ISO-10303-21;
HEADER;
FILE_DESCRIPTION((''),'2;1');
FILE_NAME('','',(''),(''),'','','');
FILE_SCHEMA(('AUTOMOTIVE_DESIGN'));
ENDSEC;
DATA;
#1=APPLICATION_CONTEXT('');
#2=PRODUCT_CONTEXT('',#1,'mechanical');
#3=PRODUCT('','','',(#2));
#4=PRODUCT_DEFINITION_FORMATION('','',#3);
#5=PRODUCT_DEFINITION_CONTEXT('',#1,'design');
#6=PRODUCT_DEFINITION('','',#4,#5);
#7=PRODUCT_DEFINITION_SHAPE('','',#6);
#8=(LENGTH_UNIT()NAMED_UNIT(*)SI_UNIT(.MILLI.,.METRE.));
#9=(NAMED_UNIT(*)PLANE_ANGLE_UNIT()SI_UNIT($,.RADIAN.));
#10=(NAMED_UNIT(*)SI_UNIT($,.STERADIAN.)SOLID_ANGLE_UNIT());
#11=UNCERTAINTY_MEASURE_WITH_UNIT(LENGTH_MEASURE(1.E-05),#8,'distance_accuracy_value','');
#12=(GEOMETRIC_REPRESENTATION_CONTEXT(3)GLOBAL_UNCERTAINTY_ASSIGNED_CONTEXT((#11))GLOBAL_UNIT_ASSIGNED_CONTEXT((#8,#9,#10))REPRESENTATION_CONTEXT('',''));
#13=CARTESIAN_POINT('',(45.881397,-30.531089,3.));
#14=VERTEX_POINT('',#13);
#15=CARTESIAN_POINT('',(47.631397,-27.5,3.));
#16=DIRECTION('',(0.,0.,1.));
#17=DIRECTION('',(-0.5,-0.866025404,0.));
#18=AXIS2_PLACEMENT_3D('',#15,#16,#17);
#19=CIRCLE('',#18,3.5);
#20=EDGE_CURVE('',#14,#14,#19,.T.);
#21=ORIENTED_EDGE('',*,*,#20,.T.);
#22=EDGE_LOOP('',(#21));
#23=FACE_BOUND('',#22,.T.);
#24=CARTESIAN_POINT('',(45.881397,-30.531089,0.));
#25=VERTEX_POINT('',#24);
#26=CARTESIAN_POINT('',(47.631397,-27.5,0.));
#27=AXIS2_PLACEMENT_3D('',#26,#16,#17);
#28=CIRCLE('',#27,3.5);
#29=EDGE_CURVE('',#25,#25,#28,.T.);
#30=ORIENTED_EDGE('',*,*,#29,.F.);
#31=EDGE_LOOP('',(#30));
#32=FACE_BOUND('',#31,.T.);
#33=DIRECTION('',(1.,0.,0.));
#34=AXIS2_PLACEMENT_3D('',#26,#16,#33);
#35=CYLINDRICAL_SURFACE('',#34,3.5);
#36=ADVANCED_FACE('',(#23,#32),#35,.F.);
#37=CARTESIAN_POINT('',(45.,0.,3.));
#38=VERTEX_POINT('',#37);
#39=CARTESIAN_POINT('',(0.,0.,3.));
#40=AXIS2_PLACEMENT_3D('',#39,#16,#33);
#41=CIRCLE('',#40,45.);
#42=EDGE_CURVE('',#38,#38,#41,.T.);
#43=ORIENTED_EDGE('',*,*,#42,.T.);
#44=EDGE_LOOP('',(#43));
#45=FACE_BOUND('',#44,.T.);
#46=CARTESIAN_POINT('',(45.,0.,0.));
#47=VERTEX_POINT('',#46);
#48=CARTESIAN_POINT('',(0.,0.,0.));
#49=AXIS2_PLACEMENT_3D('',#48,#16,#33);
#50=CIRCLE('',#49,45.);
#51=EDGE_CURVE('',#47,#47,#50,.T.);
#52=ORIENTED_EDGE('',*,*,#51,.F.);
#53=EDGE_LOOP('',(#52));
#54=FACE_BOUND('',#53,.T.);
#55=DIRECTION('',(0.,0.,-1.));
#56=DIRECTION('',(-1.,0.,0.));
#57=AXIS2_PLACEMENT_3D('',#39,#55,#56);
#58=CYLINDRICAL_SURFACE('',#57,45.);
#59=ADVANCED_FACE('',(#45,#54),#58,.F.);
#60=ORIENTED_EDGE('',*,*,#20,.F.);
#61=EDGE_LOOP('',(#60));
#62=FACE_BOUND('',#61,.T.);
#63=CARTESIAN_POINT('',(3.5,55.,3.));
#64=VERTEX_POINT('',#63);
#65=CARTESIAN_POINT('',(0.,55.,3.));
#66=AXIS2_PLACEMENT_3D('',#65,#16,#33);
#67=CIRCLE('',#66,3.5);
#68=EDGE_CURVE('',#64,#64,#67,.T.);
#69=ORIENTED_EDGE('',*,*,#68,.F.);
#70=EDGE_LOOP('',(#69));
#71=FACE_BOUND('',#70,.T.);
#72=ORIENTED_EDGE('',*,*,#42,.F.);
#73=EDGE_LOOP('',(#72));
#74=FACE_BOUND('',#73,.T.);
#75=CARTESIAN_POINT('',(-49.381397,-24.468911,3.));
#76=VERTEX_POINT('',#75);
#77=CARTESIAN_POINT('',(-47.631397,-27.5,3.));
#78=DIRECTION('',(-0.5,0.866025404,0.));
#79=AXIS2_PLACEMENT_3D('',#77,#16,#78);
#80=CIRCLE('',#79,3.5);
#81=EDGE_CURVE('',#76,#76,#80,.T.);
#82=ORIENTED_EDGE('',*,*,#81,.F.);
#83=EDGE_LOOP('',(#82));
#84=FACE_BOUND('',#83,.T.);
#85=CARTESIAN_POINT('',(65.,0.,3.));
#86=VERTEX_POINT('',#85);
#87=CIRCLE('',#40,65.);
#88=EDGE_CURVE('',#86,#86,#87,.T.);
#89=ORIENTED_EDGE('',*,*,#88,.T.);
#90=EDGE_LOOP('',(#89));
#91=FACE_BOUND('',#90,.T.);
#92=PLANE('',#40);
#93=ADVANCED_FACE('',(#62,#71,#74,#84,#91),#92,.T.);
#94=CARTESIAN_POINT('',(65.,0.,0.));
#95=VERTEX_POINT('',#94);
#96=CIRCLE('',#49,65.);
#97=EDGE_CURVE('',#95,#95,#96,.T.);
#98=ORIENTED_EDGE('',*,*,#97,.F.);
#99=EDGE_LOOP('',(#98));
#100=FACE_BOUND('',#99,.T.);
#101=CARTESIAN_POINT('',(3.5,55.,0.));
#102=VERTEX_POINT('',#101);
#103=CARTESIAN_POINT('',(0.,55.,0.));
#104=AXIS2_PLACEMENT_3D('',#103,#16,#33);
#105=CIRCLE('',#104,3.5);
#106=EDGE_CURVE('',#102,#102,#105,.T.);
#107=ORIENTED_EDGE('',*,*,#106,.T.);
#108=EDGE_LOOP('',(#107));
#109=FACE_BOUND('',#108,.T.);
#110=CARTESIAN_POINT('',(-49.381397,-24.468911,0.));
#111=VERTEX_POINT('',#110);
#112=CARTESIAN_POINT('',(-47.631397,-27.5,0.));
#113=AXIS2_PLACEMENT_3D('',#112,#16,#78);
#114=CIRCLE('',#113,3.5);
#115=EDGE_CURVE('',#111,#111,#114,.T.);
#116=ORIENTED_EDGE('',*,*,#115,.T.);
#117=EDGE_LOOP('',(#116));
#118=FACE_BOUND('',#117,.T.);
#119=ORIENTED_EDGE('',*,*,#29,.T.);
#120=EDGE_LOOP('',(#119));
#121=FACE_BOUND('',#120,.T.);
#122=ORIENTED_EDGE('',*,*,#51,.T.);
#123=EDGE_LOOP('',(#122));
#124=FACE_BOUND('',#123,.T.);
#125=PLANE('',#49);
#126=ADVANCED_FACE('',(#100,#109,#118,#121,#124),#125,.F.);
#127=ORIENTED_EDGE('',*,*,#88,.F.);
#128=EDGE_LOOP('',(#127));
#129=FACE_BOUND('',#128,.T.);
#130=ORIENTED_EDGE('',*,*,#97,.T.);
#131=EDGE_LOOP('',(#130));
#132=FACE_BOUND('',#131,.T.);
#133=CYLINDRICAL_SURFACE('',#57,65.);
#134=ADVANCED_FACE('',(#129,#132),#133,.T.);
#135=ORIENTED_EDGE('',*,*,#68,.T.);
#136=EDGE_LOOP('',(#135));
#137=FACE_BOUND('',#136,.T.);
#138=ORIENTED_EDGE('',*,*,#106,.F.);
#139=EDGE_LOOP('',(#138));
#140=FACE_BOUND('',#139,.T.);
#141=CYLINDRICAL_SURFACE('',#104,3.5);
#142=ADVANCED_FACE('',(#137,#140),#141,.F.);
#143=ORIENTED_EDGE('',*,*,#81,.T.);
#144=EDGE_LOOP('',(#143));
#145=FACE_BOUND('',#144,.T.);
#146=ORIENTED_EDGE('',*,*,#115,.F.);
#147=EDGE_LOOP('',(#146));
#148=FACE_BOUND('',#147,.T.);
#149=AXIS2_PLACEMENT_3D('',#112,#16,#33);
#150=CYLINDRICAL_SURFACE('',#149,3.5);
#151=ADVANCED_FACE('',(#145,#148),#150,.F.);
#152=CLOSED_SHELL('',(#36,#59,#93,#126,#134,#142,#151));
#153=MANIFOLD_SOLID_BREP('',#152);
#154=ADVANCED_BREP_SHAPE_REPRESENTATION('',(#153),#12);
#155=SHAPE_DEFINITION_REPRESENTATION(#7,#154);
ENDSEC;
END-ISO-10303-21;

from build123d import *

# Parameters (mm, degrees)
SKETCH1_R           = 65
SKETCH1_R_2         = 45
BOSS_EXTRUDE1_DEPTH = 3
SKETCH2_R           = 3.5
CUT_EXTRUDE1_DEPTH  = 3
CIRPATTERN1_COUNT   = 3


with BuildPart() as part:
    # Sketch1 → Boss-Extrude1 (new body)
    with BuildSketch(Plane.XY):
        Circle(SKETCH1_R)
        Circle(SKETCH1_R_2, mode=Mode.SUBTRACT)
    extrude(amount=BOSS_EXTRUDE1_DEPTH)

    # Sketch2 → Cut-Extrude1 (cut)
    with BuildSketch(Plane.XY.offset(3)):
        with Locations((0, 55)):
            Circle(SKETCH2_R)
    cut_extrude1 = extrude(amount=-CUT_EXTRUDE1_DEPTH, mode=Mode.SUBTRACT)

    # CirPattern1: Cut-Extrude1 ×3 about axis
    cirpattern1_axis = Axis((0, 0, 0), (0, 0, 1))
    for i in range(1, CIRPATTERN1_COUNT):
        add(cut_extrude1.rotate(cirpattern1_axis, i * 360 / CIRPATTERN1_COUNT), mode=Mode.SUBTRACT)


solid = part.part
